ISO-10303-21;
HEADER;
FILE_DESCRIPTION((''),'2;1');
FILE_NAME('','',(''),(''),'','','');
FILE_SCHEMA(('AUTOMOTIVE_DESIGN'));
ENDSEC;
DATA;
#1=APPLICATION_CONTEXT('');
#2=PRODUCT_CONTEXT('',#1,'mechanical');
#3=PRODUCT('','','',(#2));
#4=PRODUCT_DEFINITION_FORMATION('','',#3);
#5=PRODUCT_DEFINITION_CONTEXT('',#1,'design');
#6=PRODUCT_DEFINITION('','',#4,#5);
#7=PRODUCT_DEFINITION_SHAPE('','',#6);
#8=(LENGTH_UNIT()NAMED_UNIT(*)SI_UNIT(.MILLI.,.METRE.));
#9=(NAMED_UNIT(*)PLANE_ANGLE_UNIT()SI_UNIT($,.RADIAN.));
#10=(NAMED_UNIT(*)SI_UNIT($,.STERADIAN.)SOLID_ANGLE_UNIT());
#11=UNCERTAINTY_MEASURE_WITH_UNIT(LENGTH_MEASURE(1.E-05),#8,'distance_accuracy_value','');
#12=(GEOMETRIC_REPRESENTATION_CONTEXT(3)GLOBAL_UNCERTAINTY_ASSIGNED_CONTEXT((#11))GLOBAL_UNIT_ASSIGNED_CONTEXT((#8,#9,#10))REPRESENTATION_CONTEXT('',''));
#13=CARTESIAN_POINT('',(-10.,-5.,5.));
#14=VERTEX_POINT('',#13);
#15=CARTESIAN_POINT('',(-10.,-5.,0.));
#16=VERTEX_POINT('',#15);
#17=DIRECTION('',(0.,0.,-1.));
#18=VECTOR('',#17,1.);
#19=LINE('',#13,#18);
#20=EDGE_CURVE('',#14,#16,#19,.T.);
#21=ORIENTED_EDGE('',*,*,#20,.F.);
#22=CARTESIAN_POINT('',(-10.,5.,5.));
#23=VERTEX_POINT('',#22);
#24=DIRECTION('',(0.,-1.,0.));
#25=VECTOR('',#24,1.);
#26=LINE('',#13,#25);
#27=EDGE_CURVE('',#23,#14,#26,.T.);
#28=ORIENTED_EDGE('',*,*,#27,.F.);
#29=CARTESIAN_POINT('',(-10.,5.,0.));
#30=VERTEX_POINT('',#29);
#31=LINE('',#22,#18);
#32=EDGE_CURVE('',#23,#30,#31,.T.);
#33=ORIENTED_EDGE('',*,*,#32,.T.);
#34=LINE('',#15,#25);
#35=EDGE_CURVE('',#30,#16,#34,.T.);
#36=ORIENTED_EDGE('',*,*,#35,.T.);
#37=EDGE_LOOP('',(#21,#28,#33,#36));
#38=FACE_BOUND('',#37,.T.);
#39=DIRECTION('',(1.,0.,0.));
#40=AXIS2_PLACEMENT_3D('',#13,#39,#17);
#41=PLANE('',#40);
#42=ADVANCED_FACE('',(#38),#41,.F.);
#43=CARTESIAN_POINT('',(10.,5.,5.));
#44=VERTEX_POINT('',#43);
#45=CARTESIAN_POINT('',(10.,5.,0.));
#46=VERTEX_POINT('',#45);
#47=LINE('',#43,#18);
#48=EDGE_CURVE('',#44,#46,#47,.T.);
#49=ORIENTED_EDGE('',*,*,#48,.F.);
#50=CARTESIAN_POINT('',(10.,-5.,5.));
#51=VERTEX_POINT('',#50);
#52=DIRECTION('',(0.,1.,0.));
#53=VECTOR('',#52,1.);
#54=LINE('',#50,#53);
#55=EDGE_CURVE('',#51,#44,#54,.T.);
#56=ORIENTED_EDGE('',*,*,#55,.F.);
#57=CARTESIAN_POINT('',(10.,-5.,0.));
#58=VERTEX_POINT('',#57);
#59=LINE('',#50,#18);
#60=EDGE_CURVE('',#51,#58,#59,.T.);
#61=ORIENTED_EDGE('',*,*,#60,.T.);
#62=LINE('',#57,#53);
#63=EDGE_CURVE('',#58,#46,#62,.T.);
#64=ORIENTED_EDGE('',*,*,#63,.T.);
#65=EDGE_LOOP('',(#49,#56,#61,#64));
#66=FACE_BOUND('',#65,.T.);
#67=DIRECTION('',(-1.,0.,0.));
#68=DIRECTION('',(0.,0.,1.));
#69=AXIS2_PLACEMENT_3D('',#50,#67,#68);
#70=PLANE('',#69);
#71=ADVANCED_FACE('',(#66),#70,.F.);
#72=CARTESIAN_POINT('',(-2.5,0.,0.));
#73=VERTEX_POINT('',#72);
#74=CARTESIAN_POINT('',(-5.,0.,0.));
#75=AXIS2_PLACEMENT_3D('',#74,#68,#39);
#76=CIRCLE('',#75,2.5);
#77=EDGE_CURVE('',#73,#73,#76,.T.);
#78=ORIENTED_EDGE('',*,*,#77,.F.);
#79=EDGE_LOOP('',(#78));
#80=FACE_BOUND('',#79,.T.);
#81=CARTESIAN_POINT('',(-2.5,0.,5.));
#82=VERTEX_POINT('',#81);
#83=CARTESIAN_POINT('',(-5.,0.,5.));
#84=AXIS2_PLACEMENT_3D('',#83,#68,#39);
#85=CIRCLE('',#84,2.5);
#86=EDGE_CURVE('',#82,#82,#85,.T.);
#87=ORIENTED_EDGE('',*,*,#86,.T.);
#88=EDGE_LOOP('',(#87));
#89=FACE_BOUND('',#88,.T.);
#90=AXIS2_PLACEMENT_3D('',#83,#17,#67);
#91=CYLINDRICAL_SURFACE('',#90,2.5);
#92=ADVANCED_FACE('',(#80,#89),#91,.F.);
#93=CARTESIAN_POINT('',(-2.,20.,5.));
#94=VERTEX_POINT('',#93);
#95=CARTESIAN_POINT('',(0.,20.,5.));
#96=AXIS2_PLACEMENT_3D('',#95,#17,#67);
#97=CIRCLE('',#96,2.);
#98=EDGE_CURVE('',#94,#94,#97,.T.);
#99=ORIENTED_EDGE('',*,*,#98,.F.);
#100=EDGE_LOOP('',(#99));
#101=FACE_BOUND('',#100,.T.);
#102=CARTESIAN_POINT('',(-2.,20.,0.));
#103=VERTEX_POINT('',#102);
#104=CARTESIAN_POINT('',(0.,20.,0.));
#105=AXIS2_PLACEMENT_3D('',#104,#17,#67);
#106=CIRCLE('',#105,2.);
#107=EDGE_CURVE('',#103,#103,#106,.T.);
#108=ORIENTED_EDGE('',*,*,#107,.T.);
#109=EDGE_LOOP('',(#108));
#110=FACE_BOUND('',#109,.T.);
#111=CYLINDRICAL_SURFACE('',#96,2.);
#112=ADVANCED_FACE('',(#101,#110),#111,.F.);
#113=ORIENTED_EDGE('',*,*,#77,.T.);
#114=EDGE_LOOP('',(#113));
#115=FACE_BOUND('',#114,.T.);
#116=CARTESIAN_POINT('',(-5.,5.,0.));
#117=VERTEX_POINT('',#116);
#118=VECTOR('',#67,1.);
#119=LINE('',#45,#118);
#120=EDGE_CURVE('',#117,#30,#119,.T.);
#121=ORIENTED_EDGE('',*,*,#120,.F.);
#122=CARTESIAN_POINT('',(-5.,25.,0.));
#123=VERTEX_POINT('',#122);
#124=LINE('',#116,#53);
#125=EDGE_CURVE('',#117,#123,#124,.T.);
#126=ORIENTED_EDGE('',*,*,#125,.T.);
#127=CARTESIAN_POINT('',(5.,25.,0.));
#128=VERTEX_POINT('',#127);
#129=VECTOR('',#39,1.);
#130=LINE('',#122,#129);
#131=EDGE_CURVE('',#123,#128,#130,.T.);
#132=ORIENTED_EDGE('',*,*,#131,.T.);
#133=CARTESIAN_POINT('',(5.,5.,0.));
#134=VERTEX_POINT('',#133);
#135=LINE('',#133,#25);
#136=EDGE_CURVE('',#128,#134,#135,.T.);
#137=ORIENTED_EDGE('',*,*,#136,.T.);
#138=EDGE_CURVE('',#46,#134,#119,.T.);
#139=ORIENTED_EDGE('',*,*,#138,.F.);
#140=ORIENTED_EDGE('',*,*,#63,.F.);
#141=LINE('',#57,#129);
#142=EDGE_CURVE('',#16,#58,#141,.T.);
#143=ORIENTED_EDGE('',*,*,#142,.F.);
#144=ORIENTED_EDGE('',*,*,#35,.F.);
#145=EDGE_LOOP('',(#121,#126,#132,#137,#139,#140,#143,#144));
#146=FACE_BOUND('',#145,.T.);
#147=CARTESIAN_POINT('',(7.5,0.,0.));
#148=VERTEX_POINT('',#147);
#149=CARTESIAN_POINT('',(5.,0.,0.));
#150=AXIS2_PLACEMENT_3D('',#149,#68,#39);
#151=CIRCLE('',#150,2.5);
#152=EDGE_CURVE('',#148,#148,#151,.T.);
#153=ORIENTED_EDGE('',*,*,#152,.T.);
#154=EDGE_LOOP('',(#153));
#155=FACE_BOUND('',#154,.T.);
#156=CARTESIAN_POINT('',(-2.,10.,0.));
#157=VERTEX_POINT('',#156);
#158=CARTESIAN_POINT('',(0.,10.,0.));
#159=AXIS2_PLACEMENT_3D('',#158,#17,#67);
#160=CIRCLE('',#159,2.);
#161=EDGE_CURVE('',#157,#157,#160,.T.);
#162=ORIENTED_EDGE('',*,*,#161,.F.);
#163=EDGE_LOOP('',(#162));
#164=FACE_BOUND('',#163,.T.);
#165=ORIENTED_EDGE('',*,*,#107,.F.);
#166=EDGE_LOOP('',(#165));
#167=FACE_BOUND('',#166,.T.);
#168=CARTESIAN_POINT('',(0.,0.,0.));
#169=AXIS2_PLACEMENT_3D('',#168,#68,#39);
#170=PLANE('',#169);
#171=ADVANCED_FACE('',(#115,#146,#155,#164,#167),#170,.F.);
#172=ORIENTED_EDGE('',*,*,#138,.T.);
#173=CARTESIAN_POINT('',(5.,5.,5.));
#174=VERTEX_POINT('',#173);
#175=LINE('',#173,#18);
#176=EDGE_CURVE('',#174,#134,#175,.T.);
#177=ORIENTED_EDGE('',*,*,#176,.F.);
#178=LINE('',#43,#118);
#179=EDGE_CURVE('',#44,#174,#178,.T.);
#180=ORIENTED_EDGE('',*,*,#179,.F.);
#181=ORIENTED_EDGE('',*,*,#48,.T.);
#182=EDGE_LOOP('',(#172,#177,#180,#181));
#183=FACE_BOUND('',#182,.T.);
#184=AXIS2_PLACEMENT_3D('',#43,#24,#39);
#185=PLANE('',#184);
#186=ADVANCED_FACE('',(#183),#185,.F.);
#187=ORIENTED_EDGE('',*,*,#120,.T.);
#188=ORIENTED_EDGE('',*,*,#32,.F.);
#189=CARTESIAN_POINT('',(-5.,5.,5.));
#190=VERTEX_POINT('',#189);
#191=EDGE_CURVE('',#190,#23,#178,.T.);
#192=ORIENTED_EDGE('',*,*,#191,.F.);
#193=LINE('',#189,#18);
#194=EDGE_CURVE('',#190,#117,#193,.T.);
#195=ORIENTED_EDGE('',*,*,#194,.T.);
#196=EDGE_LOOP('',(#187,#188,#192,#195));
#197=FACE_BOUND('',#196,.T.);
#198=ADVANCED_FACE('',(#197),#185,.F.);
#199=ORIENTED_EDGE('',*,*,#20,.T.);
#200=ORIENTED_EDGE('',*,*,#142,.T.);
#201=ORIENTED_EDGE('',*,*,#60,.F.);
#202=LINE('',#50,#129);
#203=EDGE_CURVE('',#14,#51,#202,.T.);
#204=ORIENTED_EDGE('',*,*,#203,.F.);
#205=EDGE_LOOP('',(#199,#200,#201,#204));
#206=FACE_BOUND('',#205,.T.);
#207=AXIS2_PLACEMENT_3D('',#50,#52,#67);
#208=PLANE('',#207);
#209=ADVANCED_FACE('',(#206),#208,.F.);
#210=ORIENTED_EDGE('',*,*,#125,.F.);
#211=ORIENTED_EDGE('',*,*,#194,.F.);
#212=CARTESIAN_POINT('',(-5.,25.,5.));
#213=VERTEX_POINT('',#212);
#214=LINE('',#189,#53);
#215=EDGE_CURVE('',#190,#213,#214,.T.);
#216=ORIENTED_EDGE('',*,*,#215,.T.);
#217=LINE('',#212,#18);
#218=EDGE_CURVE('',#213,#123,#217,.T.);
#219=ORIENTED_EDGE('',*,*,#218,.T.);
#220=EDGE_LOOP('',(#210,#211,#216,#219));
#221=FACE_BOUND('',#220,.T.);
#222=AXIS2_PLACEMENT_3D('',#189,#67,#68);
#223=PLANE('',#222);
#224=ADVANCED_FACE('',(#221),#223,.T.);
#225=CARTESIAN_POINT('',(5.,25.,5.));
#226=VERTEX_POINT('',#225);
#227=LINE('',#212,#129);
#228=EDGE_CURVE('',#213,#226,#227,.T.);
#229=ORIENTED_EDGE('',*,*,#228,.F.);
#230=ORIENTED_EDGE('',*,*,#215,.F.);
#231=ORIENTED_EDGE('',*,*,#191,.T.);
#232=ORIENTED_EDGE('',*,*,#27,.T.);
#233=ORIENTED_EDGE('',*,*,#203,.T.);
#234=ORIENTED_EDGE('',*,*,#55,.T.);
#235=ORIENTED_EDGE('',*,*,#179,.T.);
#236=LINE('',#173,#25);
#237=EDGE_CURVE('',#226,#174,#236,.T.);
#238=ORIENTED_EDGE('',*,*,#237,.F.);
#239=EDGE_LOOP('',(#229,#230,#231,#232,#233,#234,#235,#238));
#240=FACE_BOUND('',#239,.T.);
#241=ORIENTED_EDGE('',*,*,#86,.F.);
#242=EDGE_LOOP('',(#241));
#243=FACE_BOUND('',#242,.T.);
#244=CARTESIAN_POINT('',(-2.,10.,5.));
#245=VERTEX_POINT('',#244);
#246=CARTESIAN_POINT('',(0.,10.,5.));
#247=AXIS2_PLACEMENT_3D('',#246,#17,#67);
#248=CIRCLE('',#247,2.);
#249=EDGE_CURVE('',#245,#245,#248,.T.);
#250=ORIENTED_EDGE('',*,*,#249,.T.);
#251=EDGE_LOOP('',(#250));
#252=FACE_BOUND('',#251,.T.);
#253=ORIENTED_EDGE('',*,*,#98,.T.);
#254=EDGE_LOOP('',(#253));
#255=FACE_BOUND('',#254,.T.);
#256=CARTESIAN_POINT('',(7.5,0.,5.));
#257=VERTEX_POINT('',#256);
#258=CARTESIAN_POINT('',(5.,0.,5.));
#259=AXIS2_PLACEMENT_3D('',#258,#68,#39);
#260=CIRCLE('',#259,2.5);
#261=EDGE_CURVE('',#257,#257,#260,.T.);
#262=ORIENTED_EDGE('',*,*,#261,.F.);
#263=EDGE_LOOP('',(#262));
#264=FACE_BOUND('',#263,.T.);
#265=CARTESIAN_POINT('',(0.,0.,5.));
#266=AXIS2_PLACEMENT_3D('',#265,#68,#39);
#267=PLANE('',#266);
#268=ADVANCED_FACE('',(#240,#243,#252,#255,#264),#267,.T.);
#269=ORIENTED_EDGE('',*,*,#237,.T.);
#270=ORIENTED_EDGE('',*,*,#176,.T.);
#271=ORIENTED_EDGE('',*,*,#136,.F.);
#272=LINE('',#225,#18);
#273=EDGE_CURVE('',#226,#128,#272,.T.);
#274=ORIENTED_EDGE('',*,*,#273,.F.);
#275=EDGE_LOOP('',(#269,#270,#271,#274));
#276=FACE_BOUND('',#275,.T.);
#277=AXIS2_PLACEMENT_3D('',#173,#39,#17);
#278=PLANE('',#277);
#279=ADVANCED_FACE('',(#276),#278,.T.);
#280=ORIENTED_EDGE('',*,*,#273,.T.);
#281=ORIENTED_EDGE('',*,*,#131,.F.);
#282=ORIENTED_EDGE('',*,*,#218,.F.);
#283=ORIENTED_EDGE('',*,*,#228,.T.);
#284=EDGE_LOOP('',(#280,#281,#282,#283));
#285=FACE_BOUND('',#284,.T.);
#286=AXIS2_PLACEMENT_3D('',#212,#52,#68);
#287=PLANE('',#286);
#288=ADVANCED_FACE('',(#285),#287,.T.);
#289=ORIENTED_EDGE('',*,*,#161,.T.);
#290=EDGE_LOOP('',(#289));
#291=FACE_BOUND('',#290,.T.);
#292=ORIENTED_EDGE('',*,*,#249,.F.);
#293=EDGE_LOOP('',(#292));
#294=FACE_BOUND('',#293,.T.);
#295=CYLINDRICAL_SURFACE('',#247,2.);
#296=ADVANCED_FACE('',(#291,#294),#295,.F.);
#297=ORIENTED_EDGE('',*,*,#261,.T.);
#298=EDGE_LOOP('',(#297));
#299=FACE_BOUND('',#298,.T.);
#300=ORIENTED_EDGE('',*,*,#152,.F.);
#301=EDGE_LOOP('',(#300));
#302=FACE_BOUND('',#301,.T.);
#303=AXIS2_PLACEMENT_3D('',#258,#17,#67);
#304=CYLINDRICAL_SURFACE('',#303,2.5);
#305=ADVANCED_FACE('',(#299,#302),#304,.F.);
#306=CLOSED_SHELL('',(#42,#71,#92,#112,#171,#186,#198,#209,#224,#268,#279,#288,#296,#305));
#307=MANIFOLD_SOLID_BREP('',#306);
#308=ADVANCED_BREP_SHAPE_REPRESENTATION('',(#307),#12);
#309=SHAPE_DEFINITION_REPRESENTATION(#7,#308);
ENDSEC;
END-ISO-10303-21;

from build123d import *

# Parameters (mm, degrees)
SKETCH_1_W      = 20
SKETCH_1_H      = 10
SKETCH_1_R      = 2.5
EXTRUDE_1_DEPTH = 5
SKETCH_2_W      = 10
SKETCH_2_H      = 20
SKETCH_2_R      = 2
EXTRUDE_2_DEPTH = 5


with BuildPart() as part:
    # 草图1 → 凸台-拉伸1 (new body)
    with BuildSketch(Plane.XY):
        Rectangle(SKETCH_1_W, SKETCH_1_H)
        with Locations((-5, 0)):
            Circle(SKETCH_1_R, mode=Mode.SUBTRACT)
        with Locations((5, 0)):
            Circle(SKETCH_1_R, mode=Mode.SUBTRACT)
    extrude(amount=EXTRUDE_1_DEPTH)

    # 草图2 → 凸台-拉伸2 (add)
    with BuildSketch(Plane(origin=(0, 0, 0), x_dir=(-1, 0, 0), z_dir=(0, 0, -1))):
        with Locations((0, 15)):
            Rectangle(SKETCH_2_W, SKETCH_2_H)
        with Locations((0, 20)):
            Circle(SKETCH_2_R, mode=Mode.SUBTRACT)
        with Locations((0, 10)):
            Circle(SKETCH_2_R, mode=Mode.SUBTRACT)
    extrude(amount=-EXTRUDE_2_DEPTH)


solid = part.part
